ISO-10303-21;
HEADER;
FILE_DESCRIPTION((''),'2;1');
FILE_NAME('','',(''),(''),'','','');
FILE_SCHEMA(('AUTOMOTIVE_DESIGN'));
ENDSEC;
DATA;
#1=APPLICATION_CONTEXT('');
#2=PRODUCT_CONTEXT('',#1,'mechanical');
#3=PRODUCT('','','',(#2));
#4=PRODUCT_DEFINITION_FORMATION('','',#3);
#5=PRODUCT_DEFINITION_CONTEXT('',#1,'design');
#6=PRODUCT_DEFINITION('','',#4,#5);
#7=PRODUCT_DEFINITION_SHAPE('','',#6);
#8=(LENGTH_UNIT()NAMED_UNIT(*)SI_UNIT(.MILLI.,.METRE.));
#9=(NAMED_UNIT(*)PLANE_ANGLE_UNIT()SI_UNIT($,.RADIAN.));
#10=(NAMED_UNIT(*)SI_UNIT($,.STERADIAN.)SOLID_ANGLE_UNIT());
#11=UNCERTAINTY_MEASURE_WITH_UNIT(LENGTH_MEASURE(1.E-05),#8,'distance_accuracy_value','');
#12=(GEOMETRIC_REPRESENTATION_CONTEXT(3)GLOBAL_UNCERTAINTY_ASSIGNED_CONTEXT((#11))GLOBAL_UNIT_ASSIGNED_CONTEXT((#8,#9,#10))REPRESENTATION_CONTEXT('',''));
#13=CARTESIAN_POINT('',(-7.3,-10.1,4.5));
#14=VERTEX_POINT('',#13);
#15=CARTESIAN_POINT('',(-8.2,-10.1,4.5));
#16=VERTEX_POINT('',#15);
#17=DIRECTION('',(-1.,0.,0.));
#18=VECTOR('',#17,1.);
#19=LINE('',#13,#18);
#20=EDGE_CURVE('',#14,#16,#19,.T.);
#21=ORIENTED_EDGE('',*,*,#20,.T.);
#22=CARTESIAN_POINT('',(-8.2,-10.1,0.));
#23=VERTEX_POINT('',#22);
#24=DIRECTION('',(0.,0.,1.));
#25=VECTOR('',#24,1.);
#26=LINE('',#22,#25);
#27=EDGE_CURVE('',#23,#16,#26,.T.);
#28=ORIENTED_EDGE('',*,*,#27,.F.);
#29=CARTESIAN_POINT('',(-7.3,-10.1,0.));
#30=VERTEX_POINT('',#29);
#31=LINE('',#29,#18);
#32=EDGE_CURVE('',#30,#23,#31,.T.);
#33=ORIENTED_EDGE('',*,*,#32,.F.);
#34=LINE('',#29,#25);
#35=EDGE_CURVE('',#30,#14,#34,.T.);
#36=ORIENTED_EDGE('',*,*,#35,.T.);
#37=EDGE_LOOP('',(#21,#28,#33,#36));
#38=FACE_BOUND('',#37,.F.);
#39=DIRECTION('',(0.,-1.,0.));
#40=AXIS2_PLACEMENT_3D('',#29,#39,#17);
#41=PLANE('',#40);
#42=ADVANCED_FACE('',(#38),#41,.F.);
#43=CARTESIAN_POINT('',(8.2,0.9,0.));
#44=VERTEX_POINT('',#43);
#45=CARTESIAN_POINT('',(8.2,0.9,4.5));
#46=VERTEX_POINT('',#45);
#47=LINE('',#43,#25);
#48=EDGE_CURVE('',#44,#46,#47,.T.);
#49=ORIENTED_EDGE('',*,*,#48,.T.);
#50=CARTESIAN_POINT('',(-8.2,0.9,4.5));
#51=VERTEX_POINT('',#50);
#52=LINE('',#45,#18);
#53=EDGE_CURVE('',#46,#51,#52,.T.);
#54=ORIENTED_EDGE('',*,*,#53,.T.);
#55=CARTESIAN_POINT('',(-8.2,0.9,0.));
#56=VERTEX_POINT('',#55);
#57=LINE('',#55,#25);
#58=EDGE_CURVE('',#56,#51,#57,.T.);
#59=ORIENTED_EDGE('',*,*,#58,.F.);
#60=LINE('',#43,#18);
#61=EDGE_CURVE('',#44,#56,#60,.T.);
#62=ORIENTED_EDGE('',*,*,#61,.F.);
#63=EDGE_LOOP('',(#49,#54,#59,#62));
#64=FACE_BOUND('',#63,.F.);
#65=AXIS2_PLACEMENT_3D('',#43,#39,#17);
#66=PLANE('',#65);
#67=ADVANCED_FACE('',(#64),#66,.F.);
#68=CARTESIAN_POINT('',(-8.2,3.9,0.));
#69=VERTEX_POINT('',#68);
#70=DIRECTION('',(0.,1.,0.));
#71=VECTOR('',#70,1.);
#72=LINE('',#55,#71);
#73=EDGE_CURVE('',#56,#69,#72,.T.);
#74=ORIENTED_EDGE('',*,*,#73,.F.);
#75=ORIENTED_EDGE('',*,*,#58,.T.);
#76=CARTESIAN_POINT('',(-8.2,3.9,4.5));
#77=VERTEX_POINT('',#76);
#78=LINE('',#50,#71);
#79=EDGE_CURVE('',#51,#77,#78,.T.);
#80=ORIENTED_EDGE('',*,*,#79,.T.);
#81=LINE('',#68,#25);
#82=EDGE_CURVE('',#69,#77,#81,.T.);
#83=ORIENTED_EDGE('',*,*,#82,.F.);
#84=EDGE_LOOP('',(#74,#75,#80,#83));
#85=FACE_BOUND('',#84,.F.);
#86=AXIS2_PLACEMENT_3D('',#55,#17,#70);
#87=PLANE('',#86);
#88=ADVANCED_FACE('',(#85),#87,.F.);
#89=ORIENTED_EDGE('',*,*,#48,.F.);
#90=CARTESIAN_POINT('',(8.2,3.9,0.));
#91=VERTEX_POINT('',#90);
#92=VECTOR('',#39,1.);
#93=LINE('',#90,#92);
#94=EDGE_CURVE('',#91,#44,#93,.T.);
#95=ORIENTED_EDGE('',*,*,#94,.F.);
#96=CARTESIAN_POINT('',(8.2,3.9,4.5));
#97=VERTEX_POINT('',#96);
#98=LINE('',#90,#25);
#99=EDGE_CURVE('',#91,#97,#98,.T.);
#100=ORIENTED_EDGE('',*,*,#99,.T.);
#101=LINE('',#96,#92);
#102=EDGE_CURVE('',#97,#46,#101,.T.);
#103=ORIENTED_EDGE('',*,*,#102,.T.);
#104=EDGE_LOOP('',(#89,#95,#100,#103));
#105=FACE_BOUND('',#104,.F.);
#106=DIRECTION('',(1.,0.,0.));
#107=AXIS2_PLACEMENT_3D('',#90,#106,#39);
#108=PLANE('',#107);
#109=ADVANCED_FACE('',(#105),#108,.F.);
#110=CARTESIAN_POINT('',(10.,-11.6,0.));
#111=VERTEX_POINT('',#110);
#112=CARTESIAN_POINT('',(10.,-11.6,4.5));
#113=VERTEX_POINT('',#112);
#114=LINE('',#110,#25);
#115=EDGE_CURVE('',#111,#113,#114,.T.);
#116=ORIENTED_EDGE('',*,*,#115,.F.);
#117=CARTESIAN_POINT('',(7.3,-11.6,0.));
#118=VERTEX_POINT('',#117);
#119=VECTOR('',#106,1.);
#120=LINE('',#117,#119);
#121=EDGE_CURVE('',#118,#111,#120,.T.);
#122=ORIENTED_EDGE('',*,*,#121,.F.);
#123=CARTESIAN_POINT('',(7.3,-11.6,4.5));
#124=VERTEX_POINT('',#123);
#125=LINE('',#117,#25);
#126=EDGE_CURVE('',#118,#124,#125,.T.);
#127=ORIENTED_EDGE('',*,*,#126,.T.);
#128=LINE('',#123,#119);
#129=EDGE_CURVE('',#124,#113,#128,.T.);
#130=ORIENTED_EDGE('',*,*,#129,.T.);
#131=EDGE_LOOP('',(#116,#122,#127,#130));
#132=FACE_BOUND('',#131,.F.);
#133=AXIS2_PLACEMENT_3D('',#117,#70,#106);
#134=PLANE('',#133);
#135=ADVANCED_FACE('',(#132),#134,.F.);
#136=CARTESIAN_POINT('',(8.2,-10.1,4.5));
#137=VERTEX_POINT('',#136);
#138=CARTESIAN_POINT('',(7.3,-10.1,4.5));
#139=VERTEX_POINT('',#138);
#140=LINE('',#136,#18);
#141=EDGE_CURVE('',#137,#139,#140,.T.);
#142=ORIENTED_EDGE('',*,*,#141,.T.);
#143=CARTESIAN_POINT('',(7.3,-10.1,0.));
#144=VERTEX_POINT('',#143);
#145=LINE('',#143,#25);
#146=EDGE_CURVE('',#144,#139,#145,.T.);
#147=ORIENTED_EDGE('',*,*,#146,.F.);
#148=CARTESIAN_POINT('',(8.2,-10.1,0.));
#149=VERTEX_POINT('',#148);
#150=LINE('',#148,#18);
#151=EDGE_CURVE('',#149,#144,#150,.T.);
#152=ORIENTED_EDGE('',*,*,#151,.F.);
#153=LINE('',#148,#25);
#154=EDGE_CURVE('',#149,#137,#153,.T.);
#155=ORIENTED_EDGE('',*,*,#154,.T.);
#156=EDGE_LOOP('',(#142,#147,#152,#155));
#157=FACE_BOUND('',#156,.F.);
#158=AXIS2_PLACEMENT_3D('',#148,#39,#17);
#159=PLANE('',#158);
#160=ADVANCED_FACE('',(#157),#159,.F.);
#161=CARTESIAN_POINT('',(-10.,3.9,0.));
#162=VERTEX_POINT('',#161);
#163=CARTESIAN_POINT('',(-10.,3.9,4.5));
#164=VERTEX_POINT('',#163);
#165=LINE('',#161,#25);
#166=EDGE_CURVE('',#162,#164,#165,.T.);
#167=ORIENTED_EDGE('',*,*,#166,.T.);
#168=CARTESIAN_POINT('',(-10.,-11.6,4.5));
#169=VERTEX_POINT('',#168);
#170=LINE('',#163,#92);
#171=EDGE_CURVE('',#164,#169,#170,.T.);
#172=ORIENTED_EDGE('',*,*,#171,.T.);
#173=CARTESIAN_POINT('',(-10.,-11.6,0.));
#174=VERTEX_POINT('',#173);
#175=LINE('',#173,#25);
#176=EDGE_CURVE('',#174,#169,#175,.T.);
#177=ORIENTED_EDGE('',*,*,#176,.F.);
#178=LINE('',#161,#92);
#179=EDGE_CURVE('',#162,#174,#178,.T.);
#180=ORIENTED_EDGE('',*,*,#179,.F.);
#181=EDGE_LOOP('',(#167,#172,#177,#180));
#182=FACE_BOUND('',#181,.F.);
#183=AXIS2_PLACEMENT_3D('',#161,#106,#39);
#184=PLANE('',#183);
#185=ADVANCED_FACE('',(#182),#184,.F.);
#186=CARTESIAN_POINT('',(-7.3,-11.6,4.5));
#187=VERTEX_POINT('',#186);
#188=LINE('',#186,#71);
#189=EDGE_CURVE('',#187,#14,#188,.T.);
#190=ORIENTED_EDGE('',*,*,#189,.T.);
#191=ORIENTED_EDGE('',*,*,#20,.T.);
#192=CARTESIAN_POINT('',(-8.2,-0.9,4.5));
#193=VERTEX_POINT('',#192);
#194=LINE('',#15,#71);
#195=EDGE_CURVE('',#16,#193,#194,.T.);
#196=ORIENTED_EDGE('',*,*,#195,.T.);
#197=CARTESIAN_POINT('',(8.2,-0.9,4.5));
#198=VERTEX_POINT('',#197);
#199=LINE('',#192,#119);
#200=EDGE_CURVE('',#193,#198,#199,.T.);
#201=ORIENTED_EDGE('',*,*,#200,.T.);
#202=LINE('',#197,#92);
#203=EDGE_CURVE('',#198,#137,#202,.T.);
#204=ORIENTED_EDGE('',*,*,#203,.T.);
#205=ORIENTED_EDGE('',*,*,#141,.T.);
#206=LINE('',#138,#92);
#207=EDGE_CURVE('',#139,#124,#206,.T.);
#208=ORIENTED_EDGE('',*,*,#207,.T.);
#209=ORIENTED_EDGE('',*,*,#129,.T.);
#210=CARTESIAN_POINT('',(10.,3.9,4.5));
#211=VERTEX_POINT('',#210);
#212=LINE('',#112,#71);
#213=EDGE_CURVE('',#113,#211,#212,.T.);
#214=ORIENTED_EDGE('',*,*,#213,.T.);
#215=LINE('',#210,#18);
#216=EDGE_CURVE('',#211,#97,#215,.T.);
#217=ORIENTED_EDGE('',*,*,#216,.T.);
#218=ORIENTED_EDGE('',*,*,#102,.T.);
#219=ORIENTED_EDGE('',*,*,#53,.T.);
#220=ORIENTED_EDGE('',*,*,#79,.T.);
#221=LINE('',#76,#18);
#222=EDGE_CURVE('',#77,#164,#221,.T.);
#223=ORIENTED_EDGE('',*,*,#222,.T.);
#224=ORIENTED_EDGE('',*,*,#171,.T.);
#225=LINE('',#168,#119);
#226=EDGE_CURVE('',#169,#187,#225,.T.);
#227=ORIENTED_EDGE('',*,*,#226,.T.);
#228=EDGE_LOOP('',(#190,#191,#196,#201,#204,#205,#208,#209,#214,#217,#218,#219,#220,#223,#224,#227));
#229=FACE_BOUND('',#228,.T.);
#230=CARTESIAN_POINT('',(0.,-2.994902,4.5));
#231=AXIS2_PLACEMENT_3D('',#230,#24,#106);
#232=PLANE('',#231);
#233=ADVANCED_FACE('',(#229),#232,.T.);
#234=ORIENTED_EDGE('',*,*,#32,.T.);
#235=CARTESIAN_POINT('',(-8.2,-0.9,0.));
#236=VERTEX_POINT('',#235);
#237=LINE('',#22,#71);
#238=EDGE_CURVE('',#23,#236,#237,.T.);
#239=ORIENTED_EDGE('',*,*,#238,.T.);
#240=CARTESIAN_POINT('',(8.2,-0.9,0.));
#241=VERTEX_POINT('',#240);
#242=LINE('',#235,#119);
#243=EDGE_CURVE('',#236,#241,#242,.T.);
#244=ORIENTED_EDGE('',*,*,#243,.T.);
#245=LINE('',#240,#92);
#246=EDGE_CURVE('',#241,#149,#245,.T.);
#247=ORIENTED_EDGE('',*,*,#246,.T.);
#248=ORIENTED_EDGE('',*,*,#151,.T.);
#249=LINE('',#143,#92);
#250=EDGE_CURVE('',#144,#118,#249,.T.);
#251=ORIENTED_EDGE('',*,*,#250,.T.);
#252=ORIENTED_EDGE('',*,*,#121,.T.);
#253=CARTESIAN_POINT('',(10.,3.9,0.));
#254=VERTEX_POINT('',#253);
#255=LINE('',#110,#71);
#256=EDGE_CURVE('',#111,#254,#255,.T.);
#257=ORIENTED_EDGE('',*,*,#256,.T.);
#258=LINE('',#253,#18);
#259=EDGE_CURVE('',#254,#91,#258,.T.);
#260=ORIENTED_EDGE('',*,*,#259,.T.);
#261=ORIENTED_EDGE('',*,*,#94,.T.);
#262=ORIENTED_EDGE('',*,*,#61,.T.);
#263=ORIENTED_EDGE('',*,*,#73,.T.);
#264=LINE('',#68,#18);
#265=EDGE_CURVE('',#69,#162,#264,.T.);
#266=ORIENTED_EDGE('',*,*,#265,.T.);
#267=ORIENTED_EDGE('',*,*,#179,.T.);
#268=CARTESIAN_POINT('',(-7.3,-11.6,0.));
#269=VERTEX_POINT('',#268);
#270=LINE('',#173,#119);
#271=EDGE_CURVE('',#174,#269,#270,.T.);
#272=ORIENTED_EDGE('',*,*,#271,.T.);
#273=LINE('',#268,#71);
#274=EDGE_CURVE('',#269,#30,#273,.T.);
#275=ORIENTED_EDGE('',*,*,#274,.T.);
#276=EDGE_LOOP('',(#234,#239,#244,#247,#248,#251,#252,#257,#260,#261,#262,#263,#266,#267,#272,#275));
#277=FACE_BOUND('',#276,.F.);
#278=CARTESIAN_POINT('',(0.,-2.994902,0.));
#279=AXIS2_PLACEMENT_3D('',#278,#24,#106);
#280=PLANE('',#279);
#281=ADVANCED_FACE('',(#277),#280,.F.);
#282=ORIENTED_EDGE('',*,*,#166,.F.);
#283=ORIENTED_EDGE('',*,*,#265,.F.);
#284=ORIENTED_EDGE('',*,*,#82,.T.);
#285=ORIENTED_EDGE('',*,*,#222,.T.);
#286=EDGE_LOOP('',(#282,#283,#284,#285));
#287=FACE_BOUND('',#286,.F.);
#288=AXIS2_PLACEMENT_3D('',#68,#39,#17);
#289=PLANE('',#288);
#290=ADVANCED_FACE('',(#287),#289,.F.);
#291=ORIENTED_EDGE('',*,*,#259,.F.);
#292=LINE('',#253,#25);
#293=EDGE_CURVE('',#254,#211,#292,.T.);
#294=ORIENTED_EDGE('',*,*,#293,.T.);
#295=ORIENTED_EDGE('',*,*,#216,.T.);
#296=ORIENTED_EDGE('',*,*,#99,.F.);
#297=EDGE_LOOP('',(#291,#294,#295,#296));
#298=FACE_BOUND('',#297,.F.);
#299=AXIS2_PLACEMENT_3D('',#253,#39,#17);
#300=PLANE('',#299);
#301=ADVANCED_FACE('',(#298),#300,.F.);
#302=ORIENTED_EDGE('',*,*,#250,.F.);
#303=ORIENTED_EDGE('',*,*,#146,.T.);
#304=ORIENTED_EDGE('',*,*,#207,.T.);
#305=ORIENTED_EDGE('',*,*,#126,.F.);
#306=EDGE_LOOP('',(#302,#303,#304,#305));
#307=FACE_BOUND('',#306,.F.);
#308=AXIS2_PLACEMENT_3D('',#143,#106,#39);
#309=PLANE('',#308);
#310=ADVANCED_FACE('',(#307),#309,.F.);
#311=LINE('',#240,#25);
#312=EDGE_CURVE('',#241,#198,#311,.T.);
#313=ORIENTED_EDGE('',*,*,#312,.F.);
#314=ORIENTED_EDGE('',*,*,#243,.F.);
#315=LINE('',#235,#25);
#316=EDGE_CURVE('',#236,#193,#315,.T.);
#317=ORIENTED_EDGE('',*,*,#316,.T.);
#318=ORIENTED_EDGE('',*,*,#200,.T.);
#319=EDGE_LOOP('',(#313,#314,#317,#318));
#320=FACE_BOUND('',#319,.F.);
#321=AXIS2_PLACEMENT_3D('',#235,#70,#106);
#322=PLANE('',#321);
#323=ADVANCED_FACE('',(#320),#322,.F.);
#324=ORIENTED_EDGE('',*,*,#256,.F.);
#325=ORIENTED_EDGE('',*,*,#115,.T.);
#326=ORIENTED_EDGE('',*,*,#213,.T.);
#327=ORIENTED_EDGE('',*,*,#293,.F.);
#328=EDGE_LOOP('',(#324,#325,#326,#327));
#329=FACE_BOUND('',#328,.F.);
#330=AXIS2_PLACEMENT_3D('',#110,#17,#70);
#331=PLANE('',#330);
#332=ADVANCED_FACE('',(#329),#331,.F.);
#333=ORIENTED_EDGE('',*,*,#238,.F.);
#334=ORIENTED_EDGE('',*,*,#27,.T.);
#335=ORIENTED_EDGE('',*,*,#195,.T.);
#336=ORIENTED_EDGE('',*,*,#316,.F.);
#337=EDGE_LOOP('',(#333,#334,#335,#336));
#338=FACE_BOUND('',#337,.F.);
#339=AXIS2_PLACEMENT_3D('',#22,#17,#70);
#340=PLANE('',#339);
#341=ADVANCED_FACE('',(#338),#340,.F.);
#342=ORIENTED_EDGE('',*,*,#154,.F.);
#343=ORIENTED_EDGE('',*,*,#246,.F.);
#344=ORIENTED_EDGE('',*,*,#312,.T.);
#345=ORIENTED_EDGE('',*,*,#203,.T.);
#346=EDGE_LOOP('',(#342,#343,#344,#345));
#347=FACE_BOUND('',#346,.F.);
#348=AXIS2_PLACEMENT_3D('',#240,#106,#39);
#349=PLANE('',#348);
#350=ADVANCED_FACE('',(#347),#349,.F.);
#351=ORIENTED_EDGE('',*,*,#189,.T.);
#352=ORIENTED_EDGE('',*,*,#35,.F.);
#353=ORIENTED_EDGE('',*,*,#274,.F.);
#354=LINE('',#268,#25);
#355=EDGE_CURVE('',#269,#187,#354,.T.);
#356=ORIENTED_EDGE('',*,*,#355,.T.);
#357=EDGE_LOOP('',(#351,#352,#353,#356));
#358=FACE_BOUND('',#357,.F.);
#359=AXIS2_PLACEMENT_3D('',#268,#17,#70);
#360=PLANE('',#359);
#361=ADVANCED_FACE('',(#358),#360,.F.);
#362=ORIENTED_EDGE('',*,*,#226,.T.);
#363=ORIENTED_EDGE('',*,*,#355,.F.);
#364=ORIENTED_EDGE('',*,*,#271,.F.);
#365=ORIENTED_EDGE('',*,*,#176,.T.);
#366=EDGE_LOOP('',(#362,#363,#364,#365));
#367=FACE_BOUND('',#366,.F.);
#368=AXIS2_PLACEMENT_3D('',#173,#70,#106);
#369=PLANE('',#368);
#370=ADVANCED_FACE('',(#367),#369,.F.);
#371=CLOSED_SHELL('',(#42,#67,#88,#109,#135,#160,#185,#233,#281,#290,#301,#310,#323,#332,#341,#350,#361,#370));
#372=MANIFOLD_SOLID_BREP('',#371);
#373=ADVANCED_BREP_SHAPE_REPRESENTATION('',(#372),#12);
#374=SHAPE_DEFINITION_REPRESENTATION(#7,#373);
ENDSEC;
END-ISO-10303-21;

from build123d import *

# Parameters (mm, degrees)
F1_DEPTH = 4.5


with BuildPart() as f1:
    # F0 (on Top) → F1 (new body)
    with BuildSketch(Plane.XY):
        Polygon((8.2, 0.9), (-8.2, 0.9), (-8.2, 3.9), (-10, 3.9), (-10, 0.9), (-10, -0.9), (-10, -10.1), (-10, -11.6), (-7.3, -11.6), (-7.3, -10.1), (-8.2, -10.1), (-8.2, -0.9), (8.2, -0.9), (8.2, -10.1), (7.3, -10.1), (7.3, -11.6), (10, -11.6), (10, -10.1), (10, -0.9), (10, 0.9), (10, 3.9), (8.2, 3.9), align=None)
    extrude(amount=F1_DEPTH)


solid = f1.part
